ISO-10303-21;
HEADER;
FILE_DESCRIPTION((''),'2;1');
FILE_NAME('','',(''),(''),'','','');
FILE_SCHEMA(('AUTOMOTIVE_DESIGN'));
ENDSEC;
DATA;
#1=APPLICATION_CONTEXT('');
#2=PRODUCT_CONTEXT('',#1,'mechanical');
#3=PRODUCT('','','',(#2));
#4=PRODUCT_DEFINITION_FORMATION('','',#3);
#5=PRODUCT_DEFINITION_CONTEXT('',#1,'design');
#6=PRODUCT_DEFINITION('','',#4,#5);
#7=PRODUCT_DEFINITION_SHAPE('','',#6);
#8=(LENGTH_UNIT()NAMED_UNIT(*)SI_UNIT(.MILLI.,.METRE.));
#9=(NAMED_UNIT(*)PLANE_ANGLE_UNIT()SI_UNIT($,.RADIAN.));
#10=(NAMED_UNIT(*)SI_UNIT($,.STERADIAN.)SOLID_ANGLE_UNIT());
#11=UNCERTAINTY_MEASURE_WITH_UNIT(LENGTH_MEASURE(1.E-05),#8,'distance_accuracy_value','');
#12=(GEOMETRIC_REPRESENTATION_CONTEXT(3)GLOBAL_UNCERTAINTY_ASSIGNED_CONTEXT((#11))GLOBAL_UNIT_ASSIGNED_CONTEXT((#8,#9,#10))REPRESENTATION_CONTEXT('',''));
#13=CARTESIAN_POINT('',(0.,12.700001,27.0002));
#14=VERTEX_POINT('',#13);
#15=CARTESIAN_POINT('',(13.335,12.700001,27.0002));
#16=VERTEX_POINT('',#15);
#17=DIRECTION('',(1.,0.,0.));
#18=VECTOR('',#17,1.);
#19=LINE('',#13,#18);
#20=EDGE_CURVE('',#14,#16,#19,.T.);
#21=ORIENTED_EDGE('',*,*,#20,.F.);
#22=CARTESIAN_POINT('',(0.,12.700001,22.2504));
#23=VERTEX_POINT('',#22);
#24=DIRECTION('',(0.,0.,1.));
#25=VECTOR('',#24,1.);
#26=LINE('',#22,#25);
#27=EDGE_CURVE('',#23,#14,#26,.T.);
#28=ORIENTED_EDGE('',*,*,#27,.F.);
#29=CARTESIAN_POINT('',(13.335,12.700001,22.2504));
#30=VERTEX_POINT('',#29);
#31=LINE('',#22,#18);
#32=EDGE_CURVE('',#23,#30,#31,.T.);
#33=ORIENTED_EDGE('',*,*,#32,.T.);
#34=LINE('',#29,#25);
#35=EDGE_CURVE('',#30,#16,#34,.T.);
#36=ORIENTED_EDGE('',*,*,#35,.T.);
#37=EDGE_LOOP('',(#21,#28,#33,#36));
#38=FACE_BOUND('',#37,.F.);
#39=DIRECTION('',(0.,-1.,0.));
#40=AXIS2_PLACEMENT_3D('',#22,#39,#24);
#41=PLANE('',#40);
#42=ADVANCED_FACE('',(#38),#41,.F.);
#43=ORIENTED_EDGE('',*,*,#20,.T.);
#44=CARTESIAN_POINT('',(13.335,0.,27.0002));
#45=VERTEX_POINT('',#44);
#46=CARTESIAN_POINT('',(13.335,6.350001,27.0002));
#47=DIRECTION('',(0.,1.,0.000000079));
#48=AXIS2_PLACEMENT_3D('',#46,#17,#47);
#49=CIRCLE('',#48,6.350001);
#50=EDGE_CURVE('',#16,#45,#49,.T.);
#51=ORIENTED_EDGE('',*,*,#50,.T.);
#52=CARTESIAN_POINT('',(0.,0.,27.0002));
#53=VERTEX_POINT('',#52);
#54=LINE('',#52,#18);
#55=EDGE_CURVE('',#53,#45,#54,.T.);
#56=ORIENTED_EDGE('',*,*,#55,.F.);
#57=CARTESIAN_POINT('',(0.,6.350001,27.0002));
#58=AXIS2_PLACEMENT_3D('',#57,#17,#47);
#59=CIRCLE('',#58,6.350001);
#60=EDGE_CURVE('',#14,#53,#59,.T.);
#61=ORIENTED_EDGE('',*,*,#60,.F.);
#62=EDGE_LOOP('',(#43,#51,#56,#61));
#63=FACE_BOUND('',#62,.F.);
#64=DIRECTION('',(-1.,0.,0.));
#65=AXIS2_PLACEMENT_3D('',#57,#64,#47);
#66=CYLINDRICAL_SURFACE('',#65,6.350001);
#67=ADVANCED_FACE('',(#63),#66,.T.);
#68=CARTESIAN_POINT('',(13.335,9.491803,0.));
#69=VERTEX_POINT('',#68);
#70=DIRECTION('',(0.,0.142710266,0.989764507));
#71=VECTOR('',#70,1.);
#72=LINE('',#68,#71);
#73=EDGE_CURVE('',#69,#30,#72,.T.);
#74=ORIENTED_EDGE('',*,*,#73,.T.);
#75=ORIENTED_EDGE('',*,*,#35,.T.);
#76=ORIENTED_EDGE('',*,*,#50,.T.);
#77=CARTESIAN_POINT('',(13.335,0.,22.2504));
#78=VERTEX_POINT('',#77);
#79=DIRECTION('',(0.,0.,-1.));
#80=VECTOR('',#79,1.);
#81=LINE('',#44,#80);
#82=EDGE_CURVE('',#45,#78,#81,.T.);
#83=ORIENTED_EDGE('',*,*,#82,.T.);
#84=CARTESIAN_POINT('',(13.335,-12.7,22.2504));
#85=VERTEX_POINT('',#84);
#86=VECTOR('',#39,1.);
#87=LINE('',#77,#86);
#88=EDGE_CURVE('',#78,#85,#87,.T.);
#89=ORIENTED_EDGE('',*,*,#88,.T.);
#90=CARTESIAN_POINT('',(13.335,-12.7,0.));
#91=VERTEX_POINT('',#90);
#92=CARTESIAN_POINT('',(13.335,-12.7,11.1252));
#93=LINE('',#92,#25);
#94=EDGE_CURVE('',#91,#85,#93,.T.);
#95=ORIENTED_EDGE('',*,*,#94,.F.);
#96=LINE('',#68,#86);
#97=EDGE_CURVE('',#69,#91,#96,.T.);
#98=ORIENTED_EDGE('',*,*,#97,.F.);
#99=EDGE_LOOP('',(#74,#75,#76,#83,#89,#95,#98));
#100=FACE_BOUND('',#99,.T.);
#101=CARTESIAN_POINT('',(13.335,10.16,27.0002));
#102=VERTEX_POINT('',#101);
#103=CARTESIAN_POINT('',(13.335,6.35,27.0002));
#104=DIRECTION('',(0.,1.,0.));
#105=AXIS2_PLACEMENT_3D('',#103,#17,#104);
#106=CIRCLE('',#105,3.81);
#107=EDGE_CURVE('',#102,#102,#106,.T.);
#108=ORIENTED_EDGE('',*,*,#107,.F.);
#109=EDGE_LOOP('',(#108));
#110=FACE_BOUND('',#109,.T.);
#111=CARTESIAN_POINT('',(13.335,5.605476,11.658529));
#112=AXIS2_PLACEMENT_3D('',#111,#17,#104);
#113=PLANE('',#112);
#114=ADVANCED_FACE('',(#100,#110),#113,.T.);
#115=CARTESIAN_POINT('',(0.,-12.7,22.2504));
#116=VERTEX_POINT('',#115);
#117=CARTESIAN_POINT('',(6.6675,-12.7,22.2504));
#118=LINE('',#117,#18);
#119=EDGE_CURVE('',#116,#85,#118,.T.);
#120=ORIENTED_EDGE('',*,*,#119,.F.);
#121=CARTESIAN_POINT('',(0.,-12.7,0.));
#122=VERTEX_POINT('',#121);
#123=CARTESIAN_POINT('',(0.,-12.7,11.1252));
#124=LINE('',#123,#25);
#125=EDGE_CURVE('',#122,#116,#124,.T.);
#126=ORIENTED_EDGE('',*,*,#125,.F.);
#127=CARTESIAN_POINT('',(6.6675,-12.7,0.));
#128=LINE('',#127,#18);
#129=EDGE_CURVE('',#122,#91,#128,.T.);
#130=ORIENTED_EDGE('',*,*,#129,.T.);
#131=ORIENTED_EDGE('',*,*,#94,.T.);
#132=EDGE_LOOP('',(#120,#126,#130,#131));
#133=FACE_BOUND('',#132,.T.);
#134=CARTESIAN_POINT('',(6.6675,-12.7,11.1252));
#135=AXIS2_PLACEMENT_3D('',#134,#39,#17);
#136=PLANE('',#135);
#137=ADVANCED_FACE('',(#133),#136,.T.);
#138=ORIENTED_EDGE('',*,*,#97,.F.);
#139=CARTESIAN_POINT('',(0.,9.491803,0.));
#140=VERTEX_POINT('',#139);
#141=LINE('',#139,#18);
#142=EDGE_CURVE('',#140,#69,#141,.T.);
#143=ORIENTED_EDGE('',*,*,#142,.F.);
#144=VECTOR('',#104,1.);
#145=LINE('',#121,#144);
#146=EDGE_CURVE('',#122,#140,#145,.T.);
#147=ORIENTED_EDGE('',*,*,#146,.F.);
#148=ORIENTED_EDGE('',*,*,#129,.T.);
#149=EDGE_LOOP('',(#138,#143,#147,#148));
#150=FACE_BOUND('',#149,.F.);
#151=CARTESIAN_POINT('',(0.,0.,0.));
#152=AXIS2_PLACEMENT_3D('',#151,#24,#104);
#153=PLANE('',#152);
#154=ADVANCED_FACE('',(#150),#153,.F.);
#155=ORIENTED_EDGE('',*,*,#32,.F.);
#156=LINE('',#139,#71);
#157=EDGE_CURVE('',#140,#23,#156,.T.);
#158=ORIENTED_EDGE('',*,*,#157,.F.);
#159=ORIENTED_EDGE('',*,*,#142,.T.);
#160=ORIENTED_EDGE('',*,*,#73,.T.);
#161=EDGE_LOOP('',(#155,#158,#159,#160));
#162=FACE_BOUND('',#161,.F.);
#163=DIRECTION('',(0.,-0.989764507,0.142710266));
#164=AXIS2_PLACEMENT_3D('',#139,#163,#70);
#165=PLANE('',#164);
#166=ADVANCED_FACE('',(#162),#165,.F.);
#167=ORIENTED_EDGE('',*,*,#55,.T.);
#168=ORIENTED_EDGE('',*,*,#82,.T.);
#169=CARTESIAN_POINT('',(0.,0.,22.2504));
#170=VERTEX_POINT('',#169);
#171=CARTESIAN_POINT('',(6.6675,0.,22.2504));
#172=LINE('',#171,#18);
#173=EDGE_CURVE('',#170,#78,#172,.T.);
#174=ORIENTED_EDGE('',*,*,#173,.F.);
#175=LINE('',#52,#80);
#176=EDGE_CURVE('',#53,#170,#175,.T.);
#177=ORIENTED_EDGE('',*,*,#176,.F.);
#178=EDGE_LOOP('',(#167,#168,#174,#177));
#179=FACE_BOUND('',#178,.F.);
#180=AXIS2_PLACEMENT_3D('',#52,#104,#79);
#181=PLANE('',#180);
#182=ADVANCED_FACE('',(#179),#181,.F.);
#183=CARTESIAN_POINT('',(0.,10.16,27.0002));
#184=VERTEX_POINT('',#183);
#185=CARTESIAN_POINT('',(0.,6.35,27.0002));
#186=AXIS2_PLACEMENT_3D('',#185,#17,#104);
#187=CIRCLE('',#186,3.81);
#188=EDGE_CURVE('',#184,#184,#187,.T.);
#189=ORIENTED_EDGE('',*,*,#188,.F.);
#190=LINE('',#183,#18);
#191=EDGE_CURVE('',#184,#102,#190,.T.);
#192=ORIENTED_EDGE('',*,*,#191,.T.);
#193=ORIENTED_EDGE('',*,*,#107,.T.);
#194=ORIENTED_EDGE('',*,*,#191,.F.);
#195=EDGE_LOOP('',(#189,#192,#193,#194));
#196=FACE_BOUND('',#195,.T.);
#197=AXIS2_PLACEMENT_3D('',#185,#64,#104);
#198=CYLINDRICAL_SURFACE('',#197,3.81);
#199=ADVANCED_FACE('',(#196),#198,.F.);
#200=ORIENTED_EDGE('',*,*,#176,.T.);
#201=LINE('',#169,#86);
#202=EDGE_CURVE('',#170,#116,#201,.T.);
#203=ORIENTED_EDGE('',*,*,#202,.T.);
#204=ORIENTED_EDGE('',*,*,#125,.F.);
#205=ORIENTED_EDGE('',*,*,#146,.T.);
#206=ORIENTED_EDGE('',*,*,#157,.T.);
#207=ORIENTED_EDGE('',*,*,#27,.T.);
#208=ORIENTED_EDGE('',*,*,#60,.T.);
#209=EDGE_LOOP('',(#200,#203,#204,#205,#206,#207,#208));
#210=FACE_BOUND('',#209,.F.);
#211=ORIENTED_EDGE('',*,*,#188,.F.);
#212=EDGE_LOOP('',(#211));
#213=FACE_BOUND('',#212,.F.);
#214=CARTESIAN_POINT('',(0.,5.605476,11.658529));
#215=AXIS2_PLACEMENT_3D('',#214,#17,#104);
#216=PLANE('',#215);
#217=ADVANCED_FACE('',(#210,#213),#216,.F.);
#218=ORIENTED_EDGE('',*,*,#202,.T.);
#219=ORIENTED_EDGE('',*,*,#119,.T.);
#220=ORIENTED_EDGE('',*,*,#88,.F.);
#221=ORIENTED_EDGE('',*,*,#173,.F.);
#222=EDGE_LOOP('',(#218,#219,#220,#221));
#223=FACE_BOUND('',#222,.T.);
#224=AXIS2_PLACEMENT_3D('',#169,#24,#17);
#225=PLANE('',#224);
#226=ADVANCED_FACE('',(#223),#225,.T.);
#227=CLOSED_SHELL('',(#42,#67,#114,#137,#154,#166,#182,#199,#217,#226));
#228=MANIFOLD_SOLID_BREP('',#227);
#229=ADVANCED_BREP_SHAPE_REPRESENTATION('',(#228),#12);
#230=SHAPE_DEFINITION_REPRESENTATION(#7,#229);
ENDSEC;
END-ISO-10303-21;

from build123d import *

# Parameters (mm, degrees)
F0_W     = 13.335
F0_H     = 22.2504
F1_DEPTH = 12.7
F2_R     = 3.81
F3_DEPTH = 13.335


with BuildPart() as f1:
    # F0 (on Front) → F1 (new body)
    with BuildSketch(Plane.XZ):
        with Locations((6.6675, 11.1252)):
            Rectangle(F0_W, F0_H)
    extrude(amount=F1_DEPTH)

    # F2 (on Right) → F3 (join)
    with BuildSketch(Plane.YZ):
        Polygon((0, 22.2504), (0, 0), (9.491803, 0), (12.700001, 22.2504), align=None)
        with BuildLine():
            Line((0, 27.0002), (0, 22.2504))
            Line((0, 22.2504), (12.700001, 22.2504))
            Line((12.700001, 22.2504), (12.700001, 27.0002))
            ThreePointArc((12.700001, 27.0002), (6.35, 33.3502), (0, 27.0002))
        make_face()
        with Locations((6.35, 27.0002)):
            Circle(F2_R, mode=Mode.SUBTRACT)
    extrude(amount=F3_DEPTH)


solid = f1.part
